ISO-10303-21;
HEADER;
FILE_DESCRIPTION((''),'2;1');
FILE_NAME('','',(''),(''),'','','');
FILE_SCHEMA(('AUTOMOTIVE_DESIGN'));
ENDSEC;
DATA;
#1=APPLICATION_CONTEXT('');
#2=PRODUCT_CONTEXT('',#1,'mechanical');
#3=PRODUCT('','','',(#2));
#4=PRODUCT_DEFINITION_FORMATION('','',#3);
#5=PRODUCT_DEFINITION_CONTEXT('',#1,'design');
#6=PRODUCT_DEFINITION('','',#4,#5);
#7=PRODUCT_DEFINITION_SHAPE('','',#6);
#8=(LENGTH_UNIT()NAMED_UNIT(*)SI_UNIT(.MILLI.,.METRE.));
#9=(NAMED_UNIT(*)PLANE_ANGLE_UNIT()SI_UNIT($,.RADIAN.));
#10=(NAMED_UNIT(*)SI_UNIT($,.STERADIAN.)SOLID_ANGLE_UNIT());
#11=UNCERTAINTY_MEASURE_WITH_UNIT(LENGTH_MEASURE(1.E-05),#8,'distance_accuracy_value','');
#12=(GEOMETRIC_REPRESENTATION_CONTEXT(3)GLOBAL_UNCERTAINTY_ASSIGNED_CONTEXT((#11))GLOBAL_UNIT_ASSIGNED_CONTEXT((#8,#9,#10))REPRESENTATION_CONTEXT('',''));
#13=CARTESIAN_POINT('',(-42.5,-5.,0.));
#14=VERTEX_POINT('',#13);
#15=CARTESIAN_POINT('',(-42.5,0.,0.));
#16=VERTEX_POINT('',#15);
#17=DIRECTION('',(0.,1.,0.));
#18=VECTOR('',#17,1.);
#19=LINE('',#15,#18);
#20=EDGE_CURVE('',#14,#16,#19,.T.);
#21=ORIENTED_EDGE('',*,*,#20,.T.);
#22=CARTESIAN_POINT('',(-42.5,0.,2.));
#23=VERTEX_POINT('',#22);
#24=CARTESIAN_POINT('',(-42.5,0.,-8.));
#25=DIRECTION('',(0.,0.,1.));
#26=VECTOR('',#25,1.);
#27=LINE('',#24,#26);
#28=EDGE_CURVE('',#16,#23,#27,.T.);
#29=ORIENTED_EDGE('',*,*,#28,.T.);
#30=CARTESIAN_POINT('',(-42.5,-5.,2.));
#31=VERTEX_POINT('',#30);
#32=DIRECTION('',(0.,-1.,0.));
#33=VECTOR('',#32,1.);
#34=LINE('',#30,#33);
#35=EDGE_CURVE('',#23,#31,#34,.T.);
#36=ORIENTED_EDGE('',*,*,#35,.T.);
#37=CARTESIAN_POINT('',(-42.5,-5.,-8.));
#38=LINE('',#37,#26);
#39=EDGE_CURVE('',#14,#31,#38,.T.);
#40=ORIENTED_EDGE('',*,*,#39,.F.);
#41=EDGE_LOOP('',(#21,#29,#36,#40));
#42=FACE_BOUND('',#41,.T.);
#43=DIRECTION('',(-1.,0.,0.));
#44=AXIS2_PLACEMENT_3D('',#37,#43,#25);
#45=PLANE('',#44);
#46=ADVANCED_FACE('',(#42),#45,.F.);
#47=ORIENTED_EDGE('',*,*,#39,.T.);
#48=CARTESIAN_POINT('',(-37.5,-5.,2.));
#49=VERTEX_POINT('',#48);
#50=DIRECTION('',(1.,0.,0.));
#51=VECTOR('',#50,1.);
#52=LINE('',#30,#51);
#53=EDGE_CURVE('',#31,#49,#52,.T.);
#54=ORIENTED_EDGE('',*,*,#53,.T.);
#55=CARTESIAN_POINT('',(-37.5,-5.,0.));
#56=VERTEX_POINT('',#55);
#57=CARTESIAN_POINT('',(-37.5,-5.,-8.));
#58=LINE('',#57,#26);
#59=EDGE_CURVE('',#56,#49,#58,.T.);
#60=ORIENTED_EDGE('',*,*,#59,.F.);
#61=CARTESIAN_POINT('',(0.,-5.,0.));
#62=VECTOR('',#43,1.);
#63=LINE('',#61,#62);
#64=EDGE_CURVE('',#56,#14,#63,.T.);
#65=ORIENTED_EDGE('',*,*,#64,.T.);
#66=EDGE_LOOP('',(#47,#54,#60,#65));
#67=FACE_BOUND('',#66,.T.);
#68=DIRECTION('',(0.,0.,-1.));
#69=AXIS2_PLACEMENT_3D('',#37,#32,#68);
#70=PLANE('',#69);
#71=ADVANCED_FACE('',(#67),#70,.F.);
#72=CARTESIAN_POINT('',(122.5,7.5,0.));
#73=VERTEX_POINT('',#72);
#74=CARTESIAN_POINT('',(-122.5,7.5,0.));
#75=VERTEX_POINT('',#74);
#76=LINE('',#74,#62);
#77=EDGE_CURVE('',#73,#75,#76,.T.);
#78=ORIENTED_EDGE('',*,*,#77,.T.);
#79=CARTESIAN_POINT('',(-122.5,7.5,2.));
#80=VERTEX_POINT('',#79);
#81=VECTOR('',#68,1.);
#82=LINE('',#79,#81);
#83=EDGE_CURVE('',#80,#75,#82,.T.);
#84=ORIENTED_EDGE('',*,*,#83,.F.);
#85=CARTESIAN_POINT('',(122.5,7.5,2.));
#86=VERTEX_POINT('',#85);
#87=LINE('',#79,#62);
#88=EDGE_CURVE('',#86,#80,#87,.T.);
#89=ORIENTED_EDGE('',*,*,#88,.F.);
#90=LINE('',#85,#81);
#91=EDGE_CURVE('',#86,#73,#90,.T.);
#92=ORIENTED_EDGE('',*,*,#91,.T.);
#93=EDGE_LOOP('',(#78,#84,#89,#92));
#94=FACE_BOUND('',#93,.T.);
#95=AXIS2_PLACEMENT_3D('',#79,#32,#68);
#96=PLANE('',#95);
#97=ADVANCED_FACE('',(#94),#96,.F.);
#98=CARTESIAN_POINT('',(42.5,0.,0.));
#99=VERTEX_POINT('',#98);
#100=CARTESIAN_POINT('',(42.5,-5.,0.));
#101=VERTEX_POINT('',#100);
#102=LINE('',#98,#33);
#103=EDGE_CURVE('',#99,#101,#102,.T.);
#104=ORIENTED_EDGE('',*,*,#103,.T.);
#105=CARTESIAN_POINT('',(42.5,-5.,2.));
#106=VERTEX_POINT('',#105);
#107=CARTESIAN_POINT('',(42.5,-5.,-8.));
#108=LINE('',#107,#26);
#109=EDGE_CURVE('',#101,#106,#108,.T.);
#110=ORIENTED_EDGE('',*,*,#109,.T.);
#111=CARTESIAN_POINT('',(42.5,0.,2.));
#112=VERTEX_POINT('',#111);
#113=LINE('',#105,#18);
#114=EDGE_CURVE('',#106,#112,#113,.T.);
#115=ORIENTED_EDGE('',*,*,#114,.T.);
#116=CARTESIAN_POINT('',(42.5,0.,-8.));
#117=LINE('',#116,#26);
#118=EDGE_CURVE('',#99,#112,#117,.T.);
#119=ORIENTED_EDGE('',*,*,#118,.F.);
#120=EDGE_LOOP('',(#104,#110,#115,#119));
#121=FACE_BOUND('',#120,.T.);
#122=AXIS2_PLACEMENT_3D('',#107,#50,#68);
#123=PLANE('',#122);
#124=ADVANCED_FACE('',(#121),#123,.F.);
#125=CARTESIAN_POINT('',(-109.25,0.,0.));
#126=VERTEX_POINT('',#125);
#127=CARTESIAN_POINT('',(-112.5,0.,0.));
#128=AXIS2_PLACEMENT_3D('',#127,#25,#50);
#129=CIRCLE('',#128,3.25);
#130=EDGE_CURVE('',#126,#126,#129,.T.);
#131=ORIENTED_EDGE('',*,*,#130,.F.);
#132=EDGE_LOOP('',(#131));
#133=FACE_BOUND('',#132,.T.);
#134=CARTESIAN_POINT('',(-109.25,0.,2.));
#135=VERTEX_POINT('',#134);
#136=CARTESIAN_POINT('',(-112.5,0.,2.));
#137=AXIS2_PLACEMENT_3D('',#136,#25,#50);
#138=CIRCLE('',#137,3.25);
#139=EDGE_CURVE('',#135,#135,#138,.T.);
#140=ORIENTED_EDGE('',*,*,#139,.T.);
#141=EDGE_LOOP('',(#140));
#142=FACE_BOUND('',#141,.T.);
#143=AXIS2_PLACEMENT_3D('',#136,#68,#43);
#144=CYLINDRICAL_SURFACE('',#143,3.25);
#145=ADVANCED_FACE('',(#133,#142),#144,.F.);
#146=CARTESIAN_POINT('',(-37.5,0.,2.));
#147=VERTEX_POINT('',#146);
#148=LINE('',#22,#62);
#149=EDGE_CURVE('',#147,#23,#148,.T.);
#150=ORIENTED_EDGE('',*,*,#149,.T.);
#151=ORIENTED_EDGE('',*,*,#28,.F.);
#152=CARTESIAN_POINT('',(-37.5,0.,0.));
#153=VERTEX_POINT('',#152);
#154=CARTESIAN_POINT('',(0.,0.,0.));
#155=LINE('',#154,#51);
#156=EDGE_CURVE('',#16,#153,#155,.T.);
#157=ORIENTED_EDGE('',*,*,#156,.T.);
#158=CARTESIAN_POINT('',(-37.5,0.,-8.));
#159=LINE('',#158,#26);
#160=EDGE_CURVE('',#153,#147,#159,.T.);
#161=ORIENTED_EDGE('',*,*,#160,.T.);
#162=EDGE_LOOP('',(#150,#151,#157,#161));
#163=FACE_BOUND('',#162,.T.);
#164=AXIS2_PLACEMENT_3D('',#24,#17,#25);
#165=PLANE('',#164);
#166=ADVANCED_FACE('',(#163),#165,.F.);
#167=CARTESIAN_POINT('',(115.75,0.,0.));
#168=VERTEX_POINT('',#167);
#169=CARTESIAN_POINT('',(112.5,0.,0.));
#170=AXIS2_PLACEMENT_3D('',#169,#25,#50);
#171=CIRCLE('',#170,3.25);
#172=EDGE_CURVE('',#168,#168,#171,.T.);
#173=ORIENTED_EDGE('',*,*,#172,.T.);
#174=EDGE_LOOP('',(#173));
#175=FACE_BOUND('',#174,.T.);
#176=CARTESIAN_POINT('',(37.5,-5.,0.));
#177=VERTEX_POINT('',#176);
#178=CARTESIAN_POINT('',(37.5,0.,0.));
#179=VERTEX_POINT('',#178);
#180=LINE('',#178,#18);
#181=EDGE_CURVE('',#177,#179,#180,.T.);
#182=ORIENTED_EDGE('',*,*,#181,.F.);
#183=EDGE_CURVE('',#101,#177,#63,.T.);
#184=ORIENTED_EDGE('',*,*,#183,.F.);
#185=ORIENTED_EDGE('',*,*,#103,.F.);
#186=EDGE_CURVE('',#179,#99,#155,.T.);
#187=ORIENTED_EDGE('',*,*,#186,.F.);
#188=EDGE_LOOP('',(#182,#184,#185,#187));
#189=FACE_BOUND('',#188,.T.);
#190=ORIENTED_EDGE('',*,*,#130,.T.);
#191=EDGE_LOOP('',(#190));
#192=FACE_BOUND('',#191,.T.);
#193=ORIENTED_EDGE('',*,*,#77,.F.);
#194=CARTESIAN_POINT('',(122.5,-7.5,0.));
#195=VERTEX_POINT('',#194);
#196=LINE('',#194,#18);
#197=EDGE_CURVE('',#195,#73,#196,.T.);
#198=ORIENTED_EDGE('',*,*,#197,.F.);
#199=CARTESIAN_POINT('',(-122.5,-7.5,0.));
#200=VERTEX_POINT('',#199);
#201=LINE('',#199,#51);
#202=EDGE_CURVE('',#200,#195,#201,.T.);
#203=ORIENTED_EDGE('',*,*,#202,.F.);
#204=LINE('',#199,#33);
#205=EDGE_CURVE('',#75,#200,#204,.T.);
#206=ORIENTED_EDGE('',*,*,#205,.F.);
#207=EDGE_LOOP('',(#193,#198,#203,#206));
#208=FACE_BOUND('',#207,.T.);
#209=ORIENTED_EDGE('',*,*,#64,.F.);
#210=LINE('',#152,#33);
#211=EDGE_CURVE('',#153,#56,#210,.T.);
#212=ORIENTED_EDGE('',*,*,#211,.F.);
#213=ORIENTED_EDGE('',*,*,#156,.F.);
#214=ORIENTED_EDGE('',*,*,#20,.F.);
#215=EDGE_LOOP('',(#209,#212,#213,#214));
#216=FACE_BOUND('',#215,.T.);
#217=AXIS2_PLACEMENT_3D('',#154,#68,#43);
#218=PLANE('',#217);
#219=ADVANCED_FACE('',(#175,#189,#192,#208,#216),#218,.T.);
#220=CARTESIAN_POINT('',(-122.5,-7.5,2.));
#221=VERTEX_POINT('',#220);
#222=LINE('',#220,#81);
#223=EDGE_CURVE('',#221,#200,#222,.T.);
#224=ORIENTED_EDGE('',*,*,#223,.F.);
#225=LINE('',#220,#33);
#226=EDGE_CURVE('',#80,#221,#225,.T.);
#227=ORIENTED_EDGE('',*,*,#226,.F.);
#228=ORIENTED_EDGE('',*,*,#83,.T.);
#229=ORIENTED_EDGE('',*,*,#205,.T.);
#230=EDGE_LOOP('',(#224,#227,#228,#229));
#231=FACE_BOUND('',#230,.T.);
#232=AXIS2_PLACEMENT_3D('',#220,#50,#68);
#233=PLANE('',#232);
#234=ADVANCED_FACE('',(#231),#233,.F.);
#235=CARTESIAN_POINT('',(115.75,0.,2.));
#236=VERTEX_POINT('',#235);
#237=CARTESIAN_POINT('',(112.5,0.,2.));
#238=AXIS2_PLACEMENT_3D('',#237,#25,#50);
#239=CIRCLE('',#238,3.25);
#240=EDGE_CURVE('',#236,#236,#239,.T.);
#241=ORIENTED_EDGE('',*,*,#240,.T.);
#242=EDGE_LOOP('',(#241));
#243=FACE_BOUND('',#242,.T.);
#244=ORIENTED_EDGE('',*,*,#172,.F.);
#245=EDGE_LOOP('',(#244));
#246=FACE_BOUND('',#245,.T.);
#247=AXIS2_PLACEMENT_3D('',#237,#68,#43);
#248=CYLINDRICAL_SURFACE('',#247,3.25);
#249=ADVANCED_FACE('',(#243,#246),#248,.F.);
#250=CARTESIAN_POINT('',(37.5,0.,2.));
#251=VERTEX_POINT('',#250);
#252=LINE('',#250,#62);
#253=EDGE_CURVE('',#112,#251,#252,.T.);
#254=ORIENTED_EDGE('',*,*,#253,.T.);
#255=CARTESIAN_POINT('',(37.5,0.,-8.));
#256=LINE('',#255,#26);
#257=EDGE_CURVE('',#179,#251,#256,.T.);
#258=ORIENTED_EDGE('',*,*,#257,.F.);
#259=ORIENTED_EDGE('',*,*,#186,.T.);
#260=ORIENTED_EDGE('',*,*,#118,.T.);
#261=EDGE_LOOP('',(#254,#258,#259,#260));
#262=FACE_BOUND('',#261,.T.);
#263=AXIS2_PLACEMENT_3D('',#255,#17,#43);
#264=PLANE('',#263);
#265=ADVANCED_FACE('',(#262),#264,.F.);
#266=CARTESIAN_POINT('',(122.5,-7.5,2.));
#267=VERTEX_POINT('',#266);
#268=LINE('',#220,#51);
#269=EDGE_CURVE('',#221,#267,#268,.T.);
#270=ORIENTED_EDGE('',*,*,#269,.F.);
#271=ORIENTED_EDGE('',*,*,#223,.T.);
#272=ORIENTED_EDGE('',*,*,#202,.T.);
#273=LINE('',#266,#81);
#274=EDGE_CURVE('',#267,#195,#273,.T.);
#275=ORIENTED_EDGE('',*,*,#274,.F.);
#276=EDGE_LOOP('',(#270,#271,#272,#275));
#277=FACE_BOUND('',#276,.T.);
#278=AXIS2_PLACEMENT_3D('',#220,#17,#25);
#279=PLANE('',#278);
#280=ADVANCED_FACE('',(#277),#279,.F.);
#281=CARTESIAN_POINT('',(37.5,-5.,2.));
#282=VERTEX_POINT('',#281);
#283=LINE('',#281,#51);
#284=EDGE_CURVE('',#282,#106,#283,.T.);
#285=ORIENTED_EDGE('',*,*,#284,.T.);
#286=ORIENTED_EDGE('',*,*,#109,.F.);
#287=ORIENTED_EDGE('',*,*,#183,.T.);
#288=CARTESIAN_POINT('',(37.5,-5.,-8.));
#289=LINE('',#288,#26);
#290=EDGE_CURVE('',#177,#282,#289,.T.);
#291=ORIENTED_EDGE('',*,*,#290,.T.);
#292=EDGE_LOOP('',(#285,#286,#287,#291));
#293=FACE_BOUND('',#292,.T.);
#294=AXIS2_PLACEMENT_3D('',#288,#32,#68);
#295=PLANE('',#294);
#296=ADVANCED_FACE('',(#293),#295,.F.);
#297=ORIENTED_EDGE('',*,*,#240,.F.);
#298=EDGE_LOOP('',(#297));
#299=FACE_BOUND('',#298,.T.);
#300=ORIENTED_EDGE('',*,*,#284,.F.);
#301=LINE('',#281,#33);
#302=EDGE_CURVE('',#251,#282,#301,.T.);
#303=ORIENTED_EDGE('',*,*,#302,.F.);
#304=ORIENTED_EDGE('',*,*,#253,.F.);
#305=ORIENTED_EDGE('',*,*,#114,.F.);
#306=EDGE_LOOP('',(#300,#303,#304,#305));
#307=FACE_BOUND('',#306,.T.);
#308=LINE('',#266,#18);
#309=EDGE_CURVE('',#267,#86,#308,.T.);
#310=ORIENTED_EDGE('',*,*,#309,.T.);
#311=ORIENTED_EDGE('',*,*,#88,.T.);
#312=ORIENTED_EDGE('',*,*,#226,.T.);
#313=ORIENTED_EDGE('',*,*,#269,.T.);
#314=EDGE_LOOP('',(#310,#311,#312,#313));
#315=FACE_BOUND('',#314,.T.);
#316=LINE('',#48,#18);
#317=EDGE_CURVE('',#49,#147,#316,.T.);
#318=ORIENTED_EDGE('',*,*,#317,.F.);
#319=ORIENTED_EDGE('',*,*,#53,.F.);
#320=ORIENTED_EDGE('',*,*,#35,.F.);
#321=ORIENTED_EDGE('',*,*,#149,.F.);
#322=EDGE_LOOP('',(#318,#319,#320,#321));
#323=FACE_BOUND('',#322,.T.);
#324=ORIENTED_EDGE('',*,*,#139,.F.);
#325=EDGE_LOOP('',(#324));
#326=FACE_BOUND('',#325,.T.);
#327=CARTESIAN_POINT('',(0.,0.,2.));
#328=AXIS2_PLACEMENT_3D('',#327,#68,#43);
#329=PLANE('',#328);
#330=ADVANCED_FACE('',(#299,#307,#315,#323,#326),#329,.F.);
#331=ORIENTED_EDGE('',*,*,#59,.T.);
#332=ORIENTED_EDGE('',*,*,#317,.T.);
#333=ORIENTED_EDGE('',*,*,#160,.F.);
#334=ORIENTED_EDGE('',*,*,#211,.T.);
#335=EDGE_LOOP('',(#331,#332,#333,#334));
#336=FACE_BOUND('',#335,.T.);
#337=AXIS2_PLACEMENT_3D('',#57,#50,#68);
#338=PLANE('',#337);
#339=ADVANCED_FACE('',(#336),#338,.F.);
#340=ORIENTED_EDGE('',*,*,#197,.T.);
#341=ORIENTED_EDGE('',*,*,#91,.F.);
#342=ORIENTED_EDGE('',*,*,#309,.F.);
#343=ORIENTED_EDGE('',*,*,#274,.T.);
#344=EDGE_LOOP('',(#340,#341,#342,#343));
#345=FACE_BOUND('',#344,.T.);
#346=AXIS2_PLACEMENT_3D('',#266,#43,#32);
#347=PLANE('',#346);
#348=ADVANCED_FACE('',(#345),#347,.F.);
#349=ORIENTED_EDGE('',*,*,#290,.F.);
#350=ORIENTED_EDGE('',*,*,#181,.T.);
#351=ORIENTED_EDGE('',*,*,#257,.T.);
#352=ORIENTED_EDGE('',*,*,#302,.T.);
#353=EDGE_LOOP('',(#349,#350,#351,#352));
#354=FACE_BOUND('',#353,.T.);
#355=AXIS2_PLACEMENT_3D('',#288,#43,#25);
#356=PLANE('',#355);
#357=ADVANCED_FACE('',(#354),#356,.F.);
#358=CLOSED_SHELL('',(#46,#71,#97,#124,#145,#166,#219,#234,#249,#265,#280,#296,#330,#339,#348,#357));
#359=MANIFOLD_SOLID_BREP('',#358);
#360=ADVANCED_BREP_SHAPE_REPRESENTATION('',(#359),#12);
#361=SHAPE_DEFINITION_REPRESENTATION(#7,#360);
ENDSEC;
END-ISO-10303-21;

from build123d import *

# Parameters (mm, degrees)
SKETCH1_W           = 245
SKETCH1_H           = 15
SKETCH1_R           = 3.25
BOSS_EXTRUDE1_DEPTH = 2
SKETCH2_W           = 5
SKETCH2_H           = 5
CUT_EXTRUDE1_DEPTH  = 10


with BuildPart() as part:
    # Sketch1 → Boss-Extrude1 (new body)
    with BuildSketch(Plane.XY):
        Rectangle(SKETCH1_W, SKETCH1_H)
        with Locations((-112.5, 0)):
            Circle(SKETCH1_R, mode=Mode.SUBTRACT)
        with Locations((112.5, 0)):
            Circle(SKETCH1_R, mode=Mode.SUBTRACT)
    extrude(amount=BOSS_EXTRUDE1_DEPTH)

    # Sketch2 → Cut-Extrude1 (cut)
    with BuildSketch(Plane.XY.offset(2)):
        with Locations((-40, -2.5)):
            Rectangle(SKETCH2_W, SKETCH2_H)
        with Locations((40, -2.5)):
            Rectangle(SKETCH2_W, SKETCH2_H)
    extrude(amount=-CUT_EXTRUDE1_DEPTH, mode=Mode.SUBTRACT)


solid = part.part
